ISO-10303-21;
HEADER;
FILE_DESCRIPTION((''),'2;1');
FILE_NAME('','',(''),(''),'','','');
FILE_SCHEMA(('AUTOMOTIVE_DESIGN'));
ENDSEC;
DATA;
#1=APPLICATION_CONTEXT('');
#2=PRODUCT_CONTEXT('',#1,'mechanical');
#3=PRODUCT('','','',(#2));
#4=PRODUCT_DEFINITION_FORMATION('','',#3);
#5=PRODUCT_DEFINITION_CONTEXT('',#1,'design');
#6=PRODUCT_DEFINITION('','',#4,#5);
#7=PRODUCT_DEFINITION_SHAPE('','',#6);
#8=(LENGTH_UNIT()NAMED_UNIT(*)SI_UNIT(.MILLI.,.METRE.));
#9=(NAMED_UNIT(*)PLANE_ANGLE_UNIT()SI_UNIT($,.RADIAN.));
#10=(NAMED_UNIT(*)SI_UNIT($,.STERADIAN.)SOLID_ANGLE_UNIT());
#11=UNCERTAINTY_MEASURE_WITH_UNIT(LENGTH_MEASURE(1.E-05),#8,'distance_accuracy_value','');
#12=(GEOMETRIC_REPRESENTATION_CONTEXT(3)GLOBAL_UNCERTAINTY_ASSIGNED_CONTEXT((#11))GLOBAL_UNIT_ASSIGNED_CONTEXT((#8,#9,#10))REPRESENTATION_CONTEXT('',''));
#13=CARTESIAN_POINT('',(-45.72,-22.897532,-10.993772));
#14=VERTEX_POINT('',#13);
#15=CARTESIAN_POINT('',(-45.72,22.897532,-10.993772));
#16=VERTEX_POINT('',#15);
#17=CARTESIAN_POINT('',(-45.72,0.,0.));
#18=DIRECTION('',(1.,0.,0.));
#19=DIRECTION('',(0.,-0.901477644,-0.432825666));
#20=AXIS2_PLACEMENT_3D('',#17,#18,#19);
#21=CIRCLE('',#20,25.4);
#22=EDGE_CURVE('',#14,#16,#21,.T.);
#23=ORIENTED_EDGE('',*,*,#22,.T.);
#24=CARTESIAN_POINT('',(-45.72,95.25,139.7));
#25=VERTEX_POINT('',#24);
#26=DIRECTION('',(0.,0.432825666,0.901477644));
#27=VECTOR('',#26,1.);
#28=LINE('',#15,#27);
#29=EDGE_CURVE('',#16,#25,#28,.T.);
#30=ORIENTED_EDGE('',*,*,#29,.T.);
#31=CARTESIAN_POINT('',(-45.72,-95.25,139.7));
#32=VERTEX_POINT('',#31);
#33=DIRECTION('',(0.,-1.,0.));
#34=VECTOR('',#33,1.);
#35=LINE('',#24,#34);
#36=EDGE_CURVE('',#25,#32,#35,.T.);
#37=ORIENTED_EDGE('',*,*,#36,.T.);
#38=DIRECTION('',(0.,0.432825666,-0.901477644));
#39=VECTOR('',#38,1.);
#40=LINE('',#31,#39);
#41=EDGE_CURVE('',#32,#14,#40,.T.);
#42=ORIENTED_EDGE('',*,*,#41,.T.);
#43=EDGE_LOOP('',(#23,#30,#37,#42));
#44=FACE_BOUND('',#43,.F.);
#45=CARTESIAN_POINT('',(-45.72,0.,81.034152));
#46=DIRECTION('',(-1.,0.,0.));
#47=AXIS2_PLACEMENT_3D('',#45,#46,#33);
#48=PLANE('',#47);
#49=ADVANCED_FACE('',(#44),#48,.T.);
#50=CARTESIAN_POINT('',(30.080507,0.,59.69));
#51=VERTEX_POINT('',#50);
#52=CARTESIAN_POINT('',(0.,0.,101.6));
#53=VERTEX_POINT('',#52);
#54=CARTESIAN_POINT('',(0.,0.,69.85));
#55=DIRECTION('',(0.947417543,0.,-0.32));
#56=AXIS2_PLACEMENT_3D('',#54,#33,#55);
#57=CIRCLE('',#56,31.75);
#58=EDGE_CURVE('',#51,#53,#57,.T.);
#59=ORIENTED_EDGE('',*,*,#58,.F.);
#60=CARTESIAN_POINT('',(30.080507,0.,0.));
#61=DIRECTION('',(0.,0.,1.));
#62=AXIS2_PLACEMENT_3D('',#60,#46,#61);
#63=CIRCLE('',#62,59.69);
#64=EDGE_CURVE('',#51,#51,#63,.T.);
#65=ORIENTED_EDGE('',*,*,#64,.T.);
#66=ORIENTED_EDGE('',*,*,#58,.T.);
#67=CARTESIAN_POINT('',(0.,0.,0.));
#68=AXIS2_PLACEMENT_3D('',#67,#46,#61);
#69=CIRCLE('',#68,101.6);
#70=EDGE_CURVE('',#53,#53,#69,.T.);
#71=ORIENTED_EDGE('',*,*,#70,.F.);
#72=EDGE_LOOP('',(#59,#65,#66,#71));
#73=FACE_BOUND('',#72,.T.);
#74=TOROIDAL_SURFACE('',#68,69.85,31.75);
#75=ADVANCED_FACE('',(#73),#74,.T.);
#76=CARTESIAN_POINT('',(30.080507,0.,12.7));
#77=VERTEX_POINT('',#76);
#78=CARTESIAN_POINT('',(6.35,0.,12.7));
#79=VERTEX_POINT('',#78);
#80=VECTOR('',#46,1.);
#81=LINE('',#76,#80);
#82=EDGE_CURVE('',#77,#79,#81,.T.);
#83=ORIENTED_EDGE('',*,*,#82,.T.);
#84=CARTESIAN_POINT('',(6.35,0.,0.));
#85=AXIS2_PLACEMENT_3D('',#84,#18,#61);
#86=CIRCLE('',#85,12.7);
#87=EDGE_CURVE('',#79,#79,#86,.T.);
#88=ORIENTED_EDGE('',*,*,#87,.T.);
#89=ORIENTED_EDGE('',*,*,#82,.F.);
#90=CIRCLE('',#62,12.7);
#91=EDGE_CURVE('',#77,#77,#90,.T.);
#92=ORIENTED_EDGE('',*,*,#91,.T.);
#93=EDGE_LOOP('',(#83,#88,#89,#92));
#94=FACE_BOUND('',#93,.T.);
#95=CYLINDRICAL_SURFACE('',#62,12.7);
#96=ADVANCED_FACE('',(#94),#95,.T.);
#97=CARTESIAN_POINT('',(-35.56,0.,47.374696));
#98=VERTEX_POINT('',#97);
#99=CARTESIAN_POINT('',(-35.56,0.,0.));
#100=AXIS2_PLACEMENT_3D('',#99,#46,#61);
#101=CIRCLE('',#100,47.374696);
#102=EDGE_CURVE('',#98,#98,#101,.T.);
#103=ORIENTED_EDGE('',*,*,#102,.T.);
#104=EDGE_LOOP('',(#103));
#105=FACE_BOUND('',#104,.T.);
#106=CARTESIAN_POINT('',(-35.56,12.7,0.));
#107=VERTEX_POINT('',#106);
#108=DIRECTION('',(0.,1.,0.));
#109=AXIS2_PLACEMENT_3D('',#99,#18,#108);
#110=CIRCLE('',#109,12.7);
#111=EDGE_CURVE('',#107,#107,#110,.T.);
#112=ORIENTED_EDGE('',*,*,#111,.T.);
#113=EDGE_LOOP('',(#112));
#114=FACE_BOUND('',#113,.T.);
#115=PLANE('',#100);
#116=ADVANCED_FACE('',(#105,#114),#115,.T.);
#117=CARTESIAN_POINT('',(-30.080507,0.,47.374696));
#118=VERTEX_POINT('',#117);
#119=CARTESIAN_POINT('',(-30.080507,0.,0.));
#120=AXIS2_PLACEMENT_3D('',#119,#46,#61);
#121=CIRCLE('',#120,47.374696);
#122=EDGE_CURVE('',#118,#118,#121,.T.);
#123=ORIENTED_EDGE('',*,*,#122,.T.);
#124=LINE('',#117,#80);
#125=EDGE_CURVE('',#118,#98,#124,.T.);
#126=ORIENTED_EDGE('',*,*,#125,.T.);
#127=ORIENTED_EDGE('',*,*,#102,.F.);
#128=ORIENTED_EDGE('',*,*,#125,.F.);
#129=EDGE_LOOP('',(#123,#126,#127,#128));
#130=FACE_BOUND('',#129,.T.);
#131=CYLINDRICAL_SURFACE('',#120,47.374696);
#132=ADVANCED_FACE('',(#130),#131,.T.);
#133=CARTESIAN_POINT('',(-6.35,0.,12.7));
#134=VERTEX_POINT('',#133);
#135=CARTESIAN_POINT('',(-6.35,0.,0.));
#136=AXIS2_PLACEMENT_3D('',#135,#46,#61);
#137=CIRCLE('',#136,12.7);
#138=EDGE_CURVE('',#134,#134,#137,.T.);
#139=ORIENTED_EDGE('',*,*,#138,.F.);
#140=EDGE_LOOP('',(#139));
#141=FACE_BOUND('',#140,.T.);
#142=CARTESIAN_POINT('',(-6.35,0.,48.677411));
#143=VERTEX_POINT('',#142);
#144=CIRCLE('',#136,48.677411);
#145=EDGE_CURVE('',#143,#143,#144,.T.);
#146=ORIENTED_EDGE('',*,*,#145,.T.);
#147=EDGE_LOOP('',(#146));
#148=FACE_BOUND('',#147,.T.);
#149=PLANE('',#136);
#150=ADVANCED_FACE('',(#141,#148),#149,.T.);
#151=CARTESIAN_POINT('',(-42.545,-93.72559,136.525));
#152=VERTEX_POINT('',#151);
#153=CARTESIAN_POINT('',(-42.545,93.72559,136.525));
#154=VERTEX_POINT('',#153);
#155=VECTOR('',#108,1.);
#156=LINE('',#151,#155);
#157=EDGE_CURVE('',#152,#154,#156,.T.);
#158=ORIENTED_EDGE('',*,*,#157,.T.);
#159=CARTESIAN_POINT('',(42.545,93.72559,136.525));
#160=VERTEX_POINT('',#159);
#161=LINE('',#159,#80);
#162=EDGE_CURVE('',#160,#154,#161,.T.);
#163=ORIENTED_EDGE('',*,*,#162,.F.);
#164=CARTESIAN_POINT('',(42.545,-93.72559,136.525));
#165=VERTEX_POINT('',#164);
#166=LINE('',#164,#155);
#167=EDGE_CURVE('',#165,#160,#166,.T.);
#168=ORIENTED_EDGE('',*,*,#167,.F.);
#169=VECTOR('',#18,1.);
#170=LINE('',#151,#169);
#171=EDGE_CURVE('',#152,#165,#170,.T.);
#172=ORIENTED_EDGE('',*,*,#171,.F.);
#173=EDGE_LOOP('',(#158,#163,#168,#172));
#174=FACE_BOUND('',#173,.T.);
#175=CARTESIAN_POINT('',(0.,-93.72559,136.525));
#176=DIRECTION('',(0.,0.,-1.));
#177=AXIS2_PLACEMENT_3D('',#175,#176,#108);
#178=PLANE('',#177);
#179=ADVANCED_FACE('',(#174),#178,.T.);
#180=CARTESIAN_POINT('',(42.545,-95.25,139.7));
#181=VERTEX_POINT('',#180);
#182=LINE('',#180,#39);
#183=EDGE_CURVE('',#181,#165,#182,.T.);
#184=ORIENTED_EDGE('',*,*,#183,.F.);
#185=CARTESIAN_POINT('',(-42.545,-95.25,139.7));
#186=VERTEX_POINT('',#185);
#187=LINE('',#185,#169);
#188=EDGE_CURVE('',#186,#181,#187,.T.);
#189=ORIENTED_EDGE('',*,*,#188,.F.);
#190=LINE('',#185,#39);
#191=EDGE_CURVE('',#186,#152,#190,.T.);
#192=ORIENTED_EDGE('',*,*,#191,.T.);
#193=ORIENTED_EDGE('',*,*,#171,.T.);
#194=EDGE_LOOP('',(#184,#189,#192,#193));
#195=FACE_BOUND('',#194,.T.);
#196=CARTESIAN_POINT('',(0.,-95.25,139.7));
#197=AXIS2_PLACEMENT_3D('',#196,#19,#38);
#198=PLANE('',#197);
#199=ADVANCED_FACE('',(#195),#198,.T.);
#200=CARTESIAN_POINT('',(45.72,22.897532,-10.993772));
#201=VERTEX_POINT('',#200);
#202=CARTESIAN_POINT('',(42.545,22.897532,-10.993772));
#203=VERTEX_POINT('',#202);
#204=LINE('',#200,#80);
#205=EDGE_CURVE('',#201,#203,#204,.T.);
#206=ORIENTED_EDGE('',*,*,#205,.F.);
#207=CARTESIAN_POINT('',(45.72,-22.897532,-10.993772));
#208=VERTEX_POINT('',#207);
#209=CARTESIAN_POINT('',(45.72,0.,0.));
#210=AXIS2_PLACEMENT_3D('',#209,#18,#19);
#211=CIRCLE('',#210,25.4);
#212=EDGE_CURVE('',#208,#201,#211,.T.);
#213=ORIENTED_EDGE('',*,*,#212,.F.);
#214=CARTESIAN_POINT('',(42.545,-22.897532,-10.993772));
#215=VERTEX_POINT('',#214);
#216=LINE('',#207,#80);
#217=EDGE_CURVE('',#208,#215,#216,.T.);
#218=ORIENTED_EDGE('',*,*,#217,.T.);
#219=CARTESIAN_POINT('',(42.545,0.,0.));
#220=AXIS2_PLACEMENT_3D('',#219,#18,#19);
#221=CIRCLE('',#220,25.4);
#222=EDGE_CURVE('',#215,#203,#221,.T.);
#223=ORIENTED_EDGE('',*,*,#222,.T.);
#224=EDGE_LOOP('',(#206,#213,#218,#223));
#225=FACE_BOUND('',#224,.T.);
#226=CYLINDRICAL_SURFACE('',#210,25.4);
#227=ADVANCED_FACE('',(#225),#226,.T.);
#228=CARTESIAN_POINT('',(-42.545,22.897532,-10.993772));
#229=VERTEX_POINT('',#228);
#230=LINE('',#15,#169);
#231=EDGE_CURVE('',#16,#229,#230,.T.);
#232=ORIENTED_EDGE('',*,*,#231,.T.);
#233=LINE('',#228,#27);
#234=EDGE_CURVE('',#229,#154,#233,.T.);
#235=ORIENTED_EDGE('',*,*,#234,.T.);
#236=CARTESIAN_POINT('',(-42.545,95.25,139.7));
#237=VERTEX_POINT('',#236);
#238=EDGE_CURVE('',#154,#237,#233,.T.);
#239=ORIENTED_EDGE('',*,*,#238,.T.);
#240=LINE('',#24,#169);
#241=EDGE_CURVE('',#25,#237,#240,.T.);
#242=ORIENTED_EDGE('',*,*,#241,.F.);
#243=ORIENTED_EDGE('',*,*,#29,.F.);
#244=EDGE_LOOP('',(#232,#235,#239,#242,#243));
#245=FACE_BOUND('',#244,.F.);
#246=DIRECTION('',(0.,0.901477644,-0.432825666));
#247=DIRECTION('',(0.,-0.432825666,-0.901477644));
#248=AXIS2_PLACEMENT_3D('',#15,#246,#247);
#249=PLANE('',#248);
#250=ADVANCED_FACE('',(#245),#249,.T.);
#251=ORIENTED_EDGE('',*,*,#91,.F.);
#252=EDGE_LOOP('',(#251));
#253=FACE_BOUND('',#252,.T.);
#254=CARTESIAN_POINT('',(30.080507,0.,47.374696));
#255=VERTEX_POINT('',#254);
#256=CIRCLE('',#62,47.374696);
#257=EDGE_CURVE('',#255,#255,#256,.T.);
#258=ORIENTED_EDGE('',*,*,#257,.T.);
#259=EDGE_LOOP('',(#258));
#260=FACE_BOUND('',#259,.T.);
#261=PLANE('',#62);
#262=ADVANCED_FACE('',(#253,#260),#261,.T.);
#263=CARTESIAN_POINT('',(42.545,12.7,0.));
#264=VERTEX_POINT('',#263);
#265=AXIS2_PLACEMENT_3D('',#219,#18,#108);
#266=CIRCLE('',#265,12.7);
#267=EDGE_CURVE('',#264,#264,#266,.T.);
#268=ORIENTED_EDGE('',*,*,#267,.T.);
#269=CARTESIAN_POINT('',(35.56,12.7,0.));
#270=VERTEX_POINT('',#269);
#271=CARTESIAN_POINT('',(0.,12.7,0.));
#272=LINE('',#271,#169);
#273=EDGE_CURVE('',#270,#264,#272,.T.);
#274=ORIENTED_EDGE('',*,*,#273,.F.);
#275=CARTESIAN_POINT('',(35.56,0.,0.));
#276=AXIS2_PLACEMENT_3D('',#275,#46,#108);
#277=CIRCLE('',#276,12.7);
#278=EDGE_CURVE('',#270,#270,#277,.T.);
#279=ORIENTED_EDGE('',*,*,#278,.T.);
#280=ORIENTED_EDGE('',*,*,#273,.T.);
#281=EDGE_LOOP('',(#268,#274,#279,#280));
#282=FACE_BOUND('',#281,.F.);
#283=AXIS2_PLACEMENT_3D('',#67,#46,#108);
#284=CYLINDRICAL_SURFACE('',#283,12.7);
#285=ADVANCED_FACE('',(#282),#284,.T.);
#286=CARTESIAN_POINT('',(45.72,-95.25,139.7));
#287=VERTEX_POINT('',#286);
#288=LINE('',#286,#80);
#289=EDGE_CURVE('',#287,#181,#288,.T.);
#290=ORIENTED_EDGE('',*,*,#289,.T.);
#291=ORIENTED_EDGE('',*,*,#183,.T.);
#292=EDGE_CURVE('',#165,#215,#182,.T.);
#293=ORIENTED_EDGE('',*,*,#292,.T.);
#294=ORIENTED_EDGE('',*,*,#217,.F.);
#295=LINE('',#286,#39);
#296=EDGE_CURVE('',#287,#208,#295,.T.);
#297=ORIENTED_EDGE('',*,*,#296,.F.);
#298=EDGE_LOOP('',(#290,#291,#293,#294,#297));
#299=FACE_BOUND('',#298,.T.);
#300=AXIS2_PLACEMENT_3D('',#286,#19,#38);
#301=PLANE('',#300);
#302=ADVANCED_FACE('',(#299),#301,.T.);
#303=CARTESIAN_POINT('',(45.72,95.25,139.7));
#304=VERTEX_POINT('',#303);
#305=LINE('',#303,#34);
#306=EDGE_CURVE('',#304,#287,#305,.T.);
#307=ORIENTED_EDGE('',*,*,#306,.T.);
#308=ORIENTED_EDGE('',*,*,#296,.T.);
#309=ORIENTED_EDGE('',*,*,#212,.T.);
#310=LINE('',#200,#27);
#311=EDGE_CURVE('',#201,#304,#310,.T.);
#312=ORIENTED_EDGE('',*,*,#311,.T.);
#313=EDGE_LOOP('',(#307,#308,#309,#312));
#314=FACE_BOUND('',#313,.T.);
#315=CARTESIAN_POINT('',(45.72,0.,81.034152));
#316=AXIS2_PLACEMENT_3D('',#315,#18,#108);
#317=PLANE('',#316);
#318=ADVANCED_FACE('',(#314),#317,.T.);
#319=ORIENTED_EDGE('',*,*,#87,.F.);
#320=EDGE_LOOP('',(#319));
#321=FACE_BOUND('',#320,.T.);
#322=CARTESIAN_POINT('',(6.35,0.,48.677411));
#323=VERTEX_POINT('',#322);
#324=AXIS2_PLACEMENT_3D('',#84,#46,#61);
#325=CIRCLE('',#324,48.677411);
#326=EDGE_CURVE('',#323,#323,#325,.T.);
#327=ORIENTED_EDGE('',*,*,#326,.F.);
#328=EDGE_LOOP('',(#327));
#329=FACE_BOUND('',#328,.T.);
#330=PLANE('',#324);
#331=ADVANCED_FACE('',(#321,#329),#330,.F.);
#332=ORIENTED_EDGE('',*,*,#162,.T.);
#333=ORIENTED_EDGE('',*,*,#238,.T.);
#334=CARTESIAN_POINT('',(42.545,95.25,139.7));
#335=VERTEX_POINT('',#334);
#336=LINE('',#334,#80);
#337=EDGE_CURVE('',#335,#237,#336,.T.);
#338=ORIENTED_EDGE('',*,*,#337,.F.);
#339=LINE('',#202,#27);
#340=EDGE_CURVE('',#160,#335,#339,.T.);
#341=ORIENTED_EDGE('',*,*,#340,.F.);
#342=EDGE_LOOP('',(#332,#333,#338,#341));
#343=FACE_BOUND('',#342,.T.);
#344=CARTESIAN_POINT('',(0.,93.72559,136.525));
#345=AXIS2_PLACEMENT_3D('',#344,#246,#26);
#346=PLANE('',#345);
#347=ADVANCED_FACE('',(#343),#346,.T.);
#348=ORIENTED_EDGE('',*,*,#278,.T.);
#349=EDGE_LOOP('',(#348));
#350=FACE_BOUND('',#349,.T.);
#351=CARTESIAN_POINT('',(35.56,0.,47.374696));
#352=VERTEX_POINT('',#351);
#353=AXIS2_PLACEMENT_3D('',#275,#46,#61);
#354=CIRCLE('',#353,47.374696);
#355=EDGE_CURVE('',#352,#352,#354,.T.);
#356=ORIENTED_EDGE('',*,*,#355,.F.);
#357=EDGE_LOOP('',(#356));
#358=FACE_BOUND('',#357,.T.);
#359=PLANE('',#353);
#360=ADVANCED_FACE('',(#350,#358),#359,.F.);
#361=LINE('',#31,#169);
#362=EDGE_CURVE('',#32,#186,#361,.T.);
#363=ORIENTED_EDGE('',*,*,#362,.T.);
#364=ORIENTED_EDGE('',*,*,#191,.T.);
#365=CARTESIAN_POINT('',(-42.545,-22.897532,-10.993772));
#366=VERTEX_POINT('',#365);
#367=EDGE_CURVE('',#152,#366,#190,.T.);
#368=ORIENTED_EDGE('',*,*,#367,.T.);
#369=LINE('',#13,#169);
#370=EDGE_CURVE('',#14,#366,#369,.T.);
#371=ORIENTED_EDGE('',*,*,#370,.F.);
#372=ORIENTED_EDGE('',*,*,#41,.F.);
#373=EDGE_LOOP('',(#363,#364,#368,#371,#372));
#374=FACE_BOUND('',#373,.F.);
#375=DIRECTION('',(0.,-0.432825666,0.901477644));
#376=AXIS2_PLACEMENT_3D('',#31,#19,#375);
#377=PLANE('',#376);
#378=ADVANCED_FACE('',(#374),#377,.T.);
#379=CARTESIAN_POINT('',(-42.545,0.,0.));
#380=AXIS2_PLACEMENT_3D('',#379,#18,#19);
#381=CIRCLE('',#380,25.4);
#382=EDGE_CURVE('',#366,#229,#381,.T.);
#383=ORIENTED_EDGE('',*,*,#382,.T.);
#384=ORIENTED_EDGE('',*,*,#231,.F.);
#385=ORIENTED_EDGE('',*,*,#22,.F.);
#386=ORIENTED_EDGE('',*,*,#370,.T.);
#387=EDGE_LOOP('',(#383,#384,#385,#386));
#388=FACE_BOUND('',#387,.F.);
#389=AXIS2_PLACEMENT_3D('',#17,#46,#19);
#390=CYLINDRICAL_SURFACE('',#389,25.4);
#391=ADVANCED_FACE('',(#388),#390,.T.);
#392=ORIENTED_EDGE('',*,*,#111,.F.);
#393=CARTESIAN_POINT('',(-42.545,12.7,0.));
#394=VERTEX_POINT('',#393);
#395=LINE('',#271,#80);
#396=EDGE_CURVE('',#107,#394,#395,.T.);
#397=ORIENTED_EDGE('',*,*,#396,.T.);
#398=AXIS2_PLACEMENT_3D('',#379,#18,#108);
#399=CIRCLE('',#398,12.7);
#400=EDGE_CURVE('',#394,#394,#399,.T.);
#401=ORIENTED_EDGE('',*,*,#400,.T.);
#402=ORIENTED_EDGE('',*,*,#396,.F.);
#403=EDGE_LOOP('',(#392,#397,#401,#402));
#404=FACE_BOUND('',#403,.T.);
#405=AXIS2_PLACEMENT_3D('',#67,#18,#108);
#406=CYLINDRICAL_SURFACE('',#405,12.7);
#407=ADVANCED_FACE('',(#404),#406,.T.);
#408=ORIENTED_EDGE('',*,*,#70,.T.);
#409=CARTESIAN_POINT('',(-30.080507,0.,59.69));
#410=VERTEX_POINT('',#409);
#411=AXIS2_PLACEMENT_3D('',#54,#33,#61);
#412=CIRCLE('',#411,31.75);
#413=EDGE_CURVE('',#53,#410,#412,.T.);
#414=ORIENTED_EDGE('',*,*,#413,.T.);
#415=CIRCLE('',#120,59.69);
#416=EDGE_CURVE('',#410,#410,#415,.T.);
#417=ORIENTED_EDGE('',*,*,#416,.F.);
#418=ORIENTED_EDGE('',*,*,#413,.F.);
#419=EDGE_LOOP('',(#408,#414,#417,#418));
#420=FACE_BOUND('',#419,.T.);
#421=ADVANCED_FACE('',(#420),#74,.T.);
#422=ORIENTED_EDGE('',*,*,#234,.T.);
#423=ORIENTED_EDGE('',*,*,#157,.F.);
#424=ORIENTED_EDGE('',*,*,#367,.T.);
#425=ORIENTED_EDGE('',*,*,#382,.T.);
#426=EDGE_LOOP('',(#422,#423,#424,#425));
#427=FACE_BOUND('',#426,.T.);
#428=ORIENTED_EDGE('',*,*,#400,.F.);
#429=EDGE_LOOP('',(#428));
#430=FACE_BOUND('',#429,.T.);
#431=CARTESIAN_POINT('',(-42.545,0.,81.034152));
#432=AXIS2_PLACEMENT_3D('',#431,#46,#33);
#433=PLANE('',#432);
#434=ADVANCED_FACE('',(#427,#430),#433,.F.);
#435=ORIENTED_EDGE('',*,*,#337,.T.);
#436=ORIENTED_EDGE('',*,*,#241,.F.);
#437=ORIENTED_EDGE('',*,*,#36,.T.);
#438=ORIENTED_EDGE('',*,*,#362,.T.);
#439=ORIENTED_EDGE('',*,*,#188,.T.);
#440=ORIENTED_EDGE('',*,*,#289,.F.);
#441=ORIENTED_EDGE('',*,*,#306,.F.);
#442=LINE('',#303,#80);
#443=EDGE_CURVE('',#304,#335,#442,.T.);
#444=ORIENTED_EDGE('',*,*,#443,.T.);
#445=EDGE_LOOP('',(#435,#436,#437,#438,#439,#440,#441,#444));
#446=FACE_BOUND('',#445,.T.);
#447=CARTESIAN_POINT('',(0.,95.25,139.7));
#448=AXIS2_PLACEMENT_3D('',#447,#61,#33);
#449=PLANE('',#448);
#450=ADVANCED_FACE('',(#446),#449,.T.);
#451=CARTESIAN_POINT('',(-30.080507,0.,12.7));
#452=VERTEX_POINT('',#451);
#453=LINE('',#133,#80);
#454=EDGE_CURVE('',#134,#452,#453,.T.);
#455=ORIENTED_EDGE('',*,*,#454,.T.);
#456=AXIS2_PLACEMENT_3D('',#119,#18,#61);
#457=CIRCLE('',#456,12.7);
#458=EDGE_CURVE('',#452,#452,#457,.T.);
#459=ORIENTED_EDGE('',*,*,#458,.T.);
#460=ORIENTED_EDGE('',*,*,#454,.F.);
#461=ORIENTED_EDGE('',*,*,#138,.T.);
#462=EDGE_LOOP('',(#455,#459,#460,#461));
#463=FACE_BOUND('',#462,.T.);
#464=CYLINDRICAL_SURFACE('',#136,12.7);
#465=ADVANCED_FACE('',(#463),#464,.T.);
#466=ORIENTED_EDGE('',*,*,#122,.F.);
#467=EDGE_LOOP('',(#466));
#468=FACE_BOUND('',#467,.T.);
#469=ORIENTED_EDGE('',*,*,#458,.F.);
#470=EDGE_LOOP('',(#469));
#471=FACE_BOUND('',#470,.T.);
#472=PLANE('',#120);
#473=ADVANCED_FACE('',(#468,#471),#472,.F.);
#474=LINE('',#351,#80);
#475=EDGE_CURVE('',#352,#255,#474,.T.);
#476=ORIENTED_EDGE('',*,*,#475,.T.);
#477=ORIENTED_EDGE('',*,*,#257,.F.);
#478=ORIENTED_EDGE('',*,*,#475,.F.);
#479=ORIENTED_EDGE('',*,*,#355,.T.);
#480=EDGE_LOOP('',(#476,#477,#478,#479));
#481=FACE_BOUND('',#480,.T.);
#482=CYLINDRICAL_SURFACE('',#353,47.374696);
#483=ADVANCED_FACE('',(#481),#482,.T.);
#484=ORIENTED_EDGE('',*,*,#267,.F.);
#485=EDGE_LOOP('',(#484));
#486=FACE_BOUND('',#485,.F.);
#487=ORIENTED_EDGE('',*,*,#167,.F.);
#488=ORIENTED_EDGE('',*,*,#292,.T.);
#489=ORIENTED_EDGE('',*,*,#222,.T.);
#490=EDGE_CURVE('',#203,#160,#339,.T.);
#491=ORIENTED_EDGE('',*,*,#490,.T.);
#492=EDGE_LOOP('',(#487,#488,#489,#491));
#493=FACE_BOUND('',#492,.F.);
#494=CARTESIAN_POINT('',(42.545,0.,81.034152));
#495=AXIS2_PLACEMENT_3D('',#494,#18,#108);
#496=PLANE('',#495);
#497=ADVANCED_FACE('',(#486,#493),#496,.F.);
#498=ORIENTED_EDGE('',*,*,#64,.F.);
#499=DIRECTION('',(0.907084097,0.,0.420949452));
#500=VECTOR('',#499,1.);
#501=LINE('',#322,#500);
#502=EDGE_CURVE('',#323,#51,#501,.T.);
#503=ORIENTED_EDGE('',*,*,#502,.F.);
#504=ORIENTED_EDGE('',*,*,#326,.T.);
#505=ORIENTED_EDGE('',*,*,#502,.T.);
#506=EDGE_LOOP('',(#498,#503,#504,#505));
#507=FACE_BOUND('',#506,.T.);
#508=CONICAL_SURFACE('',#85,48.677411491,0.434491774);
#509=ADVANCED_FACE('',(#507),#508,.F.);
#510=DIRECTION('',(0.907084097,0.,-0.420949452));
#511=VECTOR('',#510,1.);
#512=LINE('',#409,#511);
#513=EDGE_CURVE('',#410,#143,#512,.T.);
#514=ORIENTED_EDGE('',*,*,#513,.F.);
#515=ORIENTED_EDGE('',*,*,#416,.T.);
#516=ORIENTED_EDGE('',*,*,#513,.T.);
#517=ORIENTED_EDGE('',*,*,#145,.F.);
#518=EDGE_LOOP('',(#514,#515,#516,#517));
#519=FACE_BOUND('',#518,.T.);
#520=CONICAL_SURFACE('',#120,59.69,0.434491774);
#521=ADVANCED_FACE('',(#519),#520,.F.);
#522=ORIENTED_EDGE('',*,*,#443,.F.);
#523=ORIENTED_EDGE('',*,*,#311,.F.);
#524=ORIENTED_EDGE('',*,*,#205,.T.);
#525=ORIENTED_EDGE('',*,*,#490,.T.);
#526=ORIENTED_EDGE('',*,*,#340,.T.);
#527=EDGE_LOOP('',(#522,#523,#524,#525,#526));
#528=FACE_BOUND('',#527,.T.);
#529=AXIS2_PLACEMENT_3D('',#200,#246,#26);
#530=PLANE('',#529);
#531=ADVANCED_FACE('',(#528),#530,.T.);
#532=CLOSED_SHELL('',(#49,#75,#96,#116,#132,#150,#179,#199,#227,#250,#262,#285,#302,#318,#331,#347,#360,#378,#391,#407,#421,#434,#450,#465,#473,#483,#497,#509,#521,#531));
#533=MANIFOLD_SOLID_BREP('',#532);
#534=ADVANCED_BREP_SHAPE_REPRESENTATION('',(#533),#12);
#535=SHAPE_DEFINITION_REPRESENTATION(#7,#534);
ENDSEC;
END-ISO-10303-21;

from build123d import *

# Parameters (mm, degrees)
F4_DEPTH      = 3.175
F7_DEPTH      = 42.545
F7_DEPTH_BACK = 42.545
F8_R          = 12.7
F9_DEPTH      = 42.545
F9_DEPTH_BACK = 42.545


with BuildPart() as f1:
    # F0 (on Front) → F1 (revolve)
    with BuildSketch(Plane.XZ):
        with BuildLine():
            ThreePointArc((0, 101.6), (-25.7938219347, 88.3632722661), (-30.0805069771, 59.69))
            Line((-30.0805069771, 59.69), (-6.35, 48.6774114908))
            Line((-6.35, 48.6774114908), (-6.35, 12.7))
            Line((-6.35, 12.7), (-30.0805069771, 12.7))
            Line((-30.0805069771, 12.7), (-30.0805069771, 47.3746955395))
            Line((-30.0805069771, 47.3746955395), (-35.56, 47.3746955395))
            Line((-35.56, 47.3746955395), (-35.56, 0))
            Line((-35.56, 0), (0, 0))
            Line((0, 0), (35.56, 0))
            Line((35.56, 0), (35.56, 47.3746955395))
            Line((35.56, 47.3746955395), (30.0805069771, 47.3746955395))
            Line((30.0805069771, 47.3746955395), (30.0805069771, 12.7))
            Line((30.0805069771, 12.7), (6.35, 12.7))
            Line((6.35, 12.7), (6.35, 48.6774114908))
            Line((6.35, 48.6774114908), (30.0805069771, 59.69))
            ThreePointArc((30.0805069771, 59.69), (25.7938219347, 88.3632722661), (0, 101.6))
        make_face()
    revolve(axis=Axis((17.78, 0, 0), (-1, 0, 0)))



with BuildPart() as f4:
    # F3 (on offset) → F4 (new body)
    with BuildSketch(Plane.YZ.offset(45.72)):
        with BuildLine():
            Line((22.8975321566, -10.9937719249), (95.25, 139.7))
            Line((95.25, 139.7), (-95.25, 139.7))
            Line((-95.25, 139.7), (-22.8975321566, -10.9937719249))
            ThreePointArc((-22.8975321566, -10.9937719249), (0, -25.4), (22.8975321566, -10.9937719249))
        make_face()
    extrude(amount=-F4_DEPTH)


with BuildPart() as f5_1:
    # F5: instance of F4
    add(f4.part.mirror(Plane.YZ))


with BuildPart() as f4_1:
    add(f4.part)

    add(f5_1.part)  # F7 merges F5_1
    # F6 (on Right) → F7 (join, two sides)
    with BuildSketch(Plane.YZ) as f7_sk:
        Polygon((95.25, 139.7), (-95.25, 139.7), (-93.7255900495, 136.525), (93.7255900495, 136.525), align=None)
    extrude(amount=F7_DEPTH)
    extrude(f7_sk.sketch, amount=-F7_DEPTH_BACK)


with BuildPart() as f1_1:
    add(f1.part)

    add(f4_1.part)  # F9 merges F4
    # F8 (on Right) → F9 (join, two sides)
    with BuildSketch(Plane.YZ) as f9_sk:
        Circle(F8_R)
    extrude(amount=F9_DEPTH)
    extrude(f9_sk.sketch, amount=-F9_DEPTH_BACK)


solid = f1_1.part
